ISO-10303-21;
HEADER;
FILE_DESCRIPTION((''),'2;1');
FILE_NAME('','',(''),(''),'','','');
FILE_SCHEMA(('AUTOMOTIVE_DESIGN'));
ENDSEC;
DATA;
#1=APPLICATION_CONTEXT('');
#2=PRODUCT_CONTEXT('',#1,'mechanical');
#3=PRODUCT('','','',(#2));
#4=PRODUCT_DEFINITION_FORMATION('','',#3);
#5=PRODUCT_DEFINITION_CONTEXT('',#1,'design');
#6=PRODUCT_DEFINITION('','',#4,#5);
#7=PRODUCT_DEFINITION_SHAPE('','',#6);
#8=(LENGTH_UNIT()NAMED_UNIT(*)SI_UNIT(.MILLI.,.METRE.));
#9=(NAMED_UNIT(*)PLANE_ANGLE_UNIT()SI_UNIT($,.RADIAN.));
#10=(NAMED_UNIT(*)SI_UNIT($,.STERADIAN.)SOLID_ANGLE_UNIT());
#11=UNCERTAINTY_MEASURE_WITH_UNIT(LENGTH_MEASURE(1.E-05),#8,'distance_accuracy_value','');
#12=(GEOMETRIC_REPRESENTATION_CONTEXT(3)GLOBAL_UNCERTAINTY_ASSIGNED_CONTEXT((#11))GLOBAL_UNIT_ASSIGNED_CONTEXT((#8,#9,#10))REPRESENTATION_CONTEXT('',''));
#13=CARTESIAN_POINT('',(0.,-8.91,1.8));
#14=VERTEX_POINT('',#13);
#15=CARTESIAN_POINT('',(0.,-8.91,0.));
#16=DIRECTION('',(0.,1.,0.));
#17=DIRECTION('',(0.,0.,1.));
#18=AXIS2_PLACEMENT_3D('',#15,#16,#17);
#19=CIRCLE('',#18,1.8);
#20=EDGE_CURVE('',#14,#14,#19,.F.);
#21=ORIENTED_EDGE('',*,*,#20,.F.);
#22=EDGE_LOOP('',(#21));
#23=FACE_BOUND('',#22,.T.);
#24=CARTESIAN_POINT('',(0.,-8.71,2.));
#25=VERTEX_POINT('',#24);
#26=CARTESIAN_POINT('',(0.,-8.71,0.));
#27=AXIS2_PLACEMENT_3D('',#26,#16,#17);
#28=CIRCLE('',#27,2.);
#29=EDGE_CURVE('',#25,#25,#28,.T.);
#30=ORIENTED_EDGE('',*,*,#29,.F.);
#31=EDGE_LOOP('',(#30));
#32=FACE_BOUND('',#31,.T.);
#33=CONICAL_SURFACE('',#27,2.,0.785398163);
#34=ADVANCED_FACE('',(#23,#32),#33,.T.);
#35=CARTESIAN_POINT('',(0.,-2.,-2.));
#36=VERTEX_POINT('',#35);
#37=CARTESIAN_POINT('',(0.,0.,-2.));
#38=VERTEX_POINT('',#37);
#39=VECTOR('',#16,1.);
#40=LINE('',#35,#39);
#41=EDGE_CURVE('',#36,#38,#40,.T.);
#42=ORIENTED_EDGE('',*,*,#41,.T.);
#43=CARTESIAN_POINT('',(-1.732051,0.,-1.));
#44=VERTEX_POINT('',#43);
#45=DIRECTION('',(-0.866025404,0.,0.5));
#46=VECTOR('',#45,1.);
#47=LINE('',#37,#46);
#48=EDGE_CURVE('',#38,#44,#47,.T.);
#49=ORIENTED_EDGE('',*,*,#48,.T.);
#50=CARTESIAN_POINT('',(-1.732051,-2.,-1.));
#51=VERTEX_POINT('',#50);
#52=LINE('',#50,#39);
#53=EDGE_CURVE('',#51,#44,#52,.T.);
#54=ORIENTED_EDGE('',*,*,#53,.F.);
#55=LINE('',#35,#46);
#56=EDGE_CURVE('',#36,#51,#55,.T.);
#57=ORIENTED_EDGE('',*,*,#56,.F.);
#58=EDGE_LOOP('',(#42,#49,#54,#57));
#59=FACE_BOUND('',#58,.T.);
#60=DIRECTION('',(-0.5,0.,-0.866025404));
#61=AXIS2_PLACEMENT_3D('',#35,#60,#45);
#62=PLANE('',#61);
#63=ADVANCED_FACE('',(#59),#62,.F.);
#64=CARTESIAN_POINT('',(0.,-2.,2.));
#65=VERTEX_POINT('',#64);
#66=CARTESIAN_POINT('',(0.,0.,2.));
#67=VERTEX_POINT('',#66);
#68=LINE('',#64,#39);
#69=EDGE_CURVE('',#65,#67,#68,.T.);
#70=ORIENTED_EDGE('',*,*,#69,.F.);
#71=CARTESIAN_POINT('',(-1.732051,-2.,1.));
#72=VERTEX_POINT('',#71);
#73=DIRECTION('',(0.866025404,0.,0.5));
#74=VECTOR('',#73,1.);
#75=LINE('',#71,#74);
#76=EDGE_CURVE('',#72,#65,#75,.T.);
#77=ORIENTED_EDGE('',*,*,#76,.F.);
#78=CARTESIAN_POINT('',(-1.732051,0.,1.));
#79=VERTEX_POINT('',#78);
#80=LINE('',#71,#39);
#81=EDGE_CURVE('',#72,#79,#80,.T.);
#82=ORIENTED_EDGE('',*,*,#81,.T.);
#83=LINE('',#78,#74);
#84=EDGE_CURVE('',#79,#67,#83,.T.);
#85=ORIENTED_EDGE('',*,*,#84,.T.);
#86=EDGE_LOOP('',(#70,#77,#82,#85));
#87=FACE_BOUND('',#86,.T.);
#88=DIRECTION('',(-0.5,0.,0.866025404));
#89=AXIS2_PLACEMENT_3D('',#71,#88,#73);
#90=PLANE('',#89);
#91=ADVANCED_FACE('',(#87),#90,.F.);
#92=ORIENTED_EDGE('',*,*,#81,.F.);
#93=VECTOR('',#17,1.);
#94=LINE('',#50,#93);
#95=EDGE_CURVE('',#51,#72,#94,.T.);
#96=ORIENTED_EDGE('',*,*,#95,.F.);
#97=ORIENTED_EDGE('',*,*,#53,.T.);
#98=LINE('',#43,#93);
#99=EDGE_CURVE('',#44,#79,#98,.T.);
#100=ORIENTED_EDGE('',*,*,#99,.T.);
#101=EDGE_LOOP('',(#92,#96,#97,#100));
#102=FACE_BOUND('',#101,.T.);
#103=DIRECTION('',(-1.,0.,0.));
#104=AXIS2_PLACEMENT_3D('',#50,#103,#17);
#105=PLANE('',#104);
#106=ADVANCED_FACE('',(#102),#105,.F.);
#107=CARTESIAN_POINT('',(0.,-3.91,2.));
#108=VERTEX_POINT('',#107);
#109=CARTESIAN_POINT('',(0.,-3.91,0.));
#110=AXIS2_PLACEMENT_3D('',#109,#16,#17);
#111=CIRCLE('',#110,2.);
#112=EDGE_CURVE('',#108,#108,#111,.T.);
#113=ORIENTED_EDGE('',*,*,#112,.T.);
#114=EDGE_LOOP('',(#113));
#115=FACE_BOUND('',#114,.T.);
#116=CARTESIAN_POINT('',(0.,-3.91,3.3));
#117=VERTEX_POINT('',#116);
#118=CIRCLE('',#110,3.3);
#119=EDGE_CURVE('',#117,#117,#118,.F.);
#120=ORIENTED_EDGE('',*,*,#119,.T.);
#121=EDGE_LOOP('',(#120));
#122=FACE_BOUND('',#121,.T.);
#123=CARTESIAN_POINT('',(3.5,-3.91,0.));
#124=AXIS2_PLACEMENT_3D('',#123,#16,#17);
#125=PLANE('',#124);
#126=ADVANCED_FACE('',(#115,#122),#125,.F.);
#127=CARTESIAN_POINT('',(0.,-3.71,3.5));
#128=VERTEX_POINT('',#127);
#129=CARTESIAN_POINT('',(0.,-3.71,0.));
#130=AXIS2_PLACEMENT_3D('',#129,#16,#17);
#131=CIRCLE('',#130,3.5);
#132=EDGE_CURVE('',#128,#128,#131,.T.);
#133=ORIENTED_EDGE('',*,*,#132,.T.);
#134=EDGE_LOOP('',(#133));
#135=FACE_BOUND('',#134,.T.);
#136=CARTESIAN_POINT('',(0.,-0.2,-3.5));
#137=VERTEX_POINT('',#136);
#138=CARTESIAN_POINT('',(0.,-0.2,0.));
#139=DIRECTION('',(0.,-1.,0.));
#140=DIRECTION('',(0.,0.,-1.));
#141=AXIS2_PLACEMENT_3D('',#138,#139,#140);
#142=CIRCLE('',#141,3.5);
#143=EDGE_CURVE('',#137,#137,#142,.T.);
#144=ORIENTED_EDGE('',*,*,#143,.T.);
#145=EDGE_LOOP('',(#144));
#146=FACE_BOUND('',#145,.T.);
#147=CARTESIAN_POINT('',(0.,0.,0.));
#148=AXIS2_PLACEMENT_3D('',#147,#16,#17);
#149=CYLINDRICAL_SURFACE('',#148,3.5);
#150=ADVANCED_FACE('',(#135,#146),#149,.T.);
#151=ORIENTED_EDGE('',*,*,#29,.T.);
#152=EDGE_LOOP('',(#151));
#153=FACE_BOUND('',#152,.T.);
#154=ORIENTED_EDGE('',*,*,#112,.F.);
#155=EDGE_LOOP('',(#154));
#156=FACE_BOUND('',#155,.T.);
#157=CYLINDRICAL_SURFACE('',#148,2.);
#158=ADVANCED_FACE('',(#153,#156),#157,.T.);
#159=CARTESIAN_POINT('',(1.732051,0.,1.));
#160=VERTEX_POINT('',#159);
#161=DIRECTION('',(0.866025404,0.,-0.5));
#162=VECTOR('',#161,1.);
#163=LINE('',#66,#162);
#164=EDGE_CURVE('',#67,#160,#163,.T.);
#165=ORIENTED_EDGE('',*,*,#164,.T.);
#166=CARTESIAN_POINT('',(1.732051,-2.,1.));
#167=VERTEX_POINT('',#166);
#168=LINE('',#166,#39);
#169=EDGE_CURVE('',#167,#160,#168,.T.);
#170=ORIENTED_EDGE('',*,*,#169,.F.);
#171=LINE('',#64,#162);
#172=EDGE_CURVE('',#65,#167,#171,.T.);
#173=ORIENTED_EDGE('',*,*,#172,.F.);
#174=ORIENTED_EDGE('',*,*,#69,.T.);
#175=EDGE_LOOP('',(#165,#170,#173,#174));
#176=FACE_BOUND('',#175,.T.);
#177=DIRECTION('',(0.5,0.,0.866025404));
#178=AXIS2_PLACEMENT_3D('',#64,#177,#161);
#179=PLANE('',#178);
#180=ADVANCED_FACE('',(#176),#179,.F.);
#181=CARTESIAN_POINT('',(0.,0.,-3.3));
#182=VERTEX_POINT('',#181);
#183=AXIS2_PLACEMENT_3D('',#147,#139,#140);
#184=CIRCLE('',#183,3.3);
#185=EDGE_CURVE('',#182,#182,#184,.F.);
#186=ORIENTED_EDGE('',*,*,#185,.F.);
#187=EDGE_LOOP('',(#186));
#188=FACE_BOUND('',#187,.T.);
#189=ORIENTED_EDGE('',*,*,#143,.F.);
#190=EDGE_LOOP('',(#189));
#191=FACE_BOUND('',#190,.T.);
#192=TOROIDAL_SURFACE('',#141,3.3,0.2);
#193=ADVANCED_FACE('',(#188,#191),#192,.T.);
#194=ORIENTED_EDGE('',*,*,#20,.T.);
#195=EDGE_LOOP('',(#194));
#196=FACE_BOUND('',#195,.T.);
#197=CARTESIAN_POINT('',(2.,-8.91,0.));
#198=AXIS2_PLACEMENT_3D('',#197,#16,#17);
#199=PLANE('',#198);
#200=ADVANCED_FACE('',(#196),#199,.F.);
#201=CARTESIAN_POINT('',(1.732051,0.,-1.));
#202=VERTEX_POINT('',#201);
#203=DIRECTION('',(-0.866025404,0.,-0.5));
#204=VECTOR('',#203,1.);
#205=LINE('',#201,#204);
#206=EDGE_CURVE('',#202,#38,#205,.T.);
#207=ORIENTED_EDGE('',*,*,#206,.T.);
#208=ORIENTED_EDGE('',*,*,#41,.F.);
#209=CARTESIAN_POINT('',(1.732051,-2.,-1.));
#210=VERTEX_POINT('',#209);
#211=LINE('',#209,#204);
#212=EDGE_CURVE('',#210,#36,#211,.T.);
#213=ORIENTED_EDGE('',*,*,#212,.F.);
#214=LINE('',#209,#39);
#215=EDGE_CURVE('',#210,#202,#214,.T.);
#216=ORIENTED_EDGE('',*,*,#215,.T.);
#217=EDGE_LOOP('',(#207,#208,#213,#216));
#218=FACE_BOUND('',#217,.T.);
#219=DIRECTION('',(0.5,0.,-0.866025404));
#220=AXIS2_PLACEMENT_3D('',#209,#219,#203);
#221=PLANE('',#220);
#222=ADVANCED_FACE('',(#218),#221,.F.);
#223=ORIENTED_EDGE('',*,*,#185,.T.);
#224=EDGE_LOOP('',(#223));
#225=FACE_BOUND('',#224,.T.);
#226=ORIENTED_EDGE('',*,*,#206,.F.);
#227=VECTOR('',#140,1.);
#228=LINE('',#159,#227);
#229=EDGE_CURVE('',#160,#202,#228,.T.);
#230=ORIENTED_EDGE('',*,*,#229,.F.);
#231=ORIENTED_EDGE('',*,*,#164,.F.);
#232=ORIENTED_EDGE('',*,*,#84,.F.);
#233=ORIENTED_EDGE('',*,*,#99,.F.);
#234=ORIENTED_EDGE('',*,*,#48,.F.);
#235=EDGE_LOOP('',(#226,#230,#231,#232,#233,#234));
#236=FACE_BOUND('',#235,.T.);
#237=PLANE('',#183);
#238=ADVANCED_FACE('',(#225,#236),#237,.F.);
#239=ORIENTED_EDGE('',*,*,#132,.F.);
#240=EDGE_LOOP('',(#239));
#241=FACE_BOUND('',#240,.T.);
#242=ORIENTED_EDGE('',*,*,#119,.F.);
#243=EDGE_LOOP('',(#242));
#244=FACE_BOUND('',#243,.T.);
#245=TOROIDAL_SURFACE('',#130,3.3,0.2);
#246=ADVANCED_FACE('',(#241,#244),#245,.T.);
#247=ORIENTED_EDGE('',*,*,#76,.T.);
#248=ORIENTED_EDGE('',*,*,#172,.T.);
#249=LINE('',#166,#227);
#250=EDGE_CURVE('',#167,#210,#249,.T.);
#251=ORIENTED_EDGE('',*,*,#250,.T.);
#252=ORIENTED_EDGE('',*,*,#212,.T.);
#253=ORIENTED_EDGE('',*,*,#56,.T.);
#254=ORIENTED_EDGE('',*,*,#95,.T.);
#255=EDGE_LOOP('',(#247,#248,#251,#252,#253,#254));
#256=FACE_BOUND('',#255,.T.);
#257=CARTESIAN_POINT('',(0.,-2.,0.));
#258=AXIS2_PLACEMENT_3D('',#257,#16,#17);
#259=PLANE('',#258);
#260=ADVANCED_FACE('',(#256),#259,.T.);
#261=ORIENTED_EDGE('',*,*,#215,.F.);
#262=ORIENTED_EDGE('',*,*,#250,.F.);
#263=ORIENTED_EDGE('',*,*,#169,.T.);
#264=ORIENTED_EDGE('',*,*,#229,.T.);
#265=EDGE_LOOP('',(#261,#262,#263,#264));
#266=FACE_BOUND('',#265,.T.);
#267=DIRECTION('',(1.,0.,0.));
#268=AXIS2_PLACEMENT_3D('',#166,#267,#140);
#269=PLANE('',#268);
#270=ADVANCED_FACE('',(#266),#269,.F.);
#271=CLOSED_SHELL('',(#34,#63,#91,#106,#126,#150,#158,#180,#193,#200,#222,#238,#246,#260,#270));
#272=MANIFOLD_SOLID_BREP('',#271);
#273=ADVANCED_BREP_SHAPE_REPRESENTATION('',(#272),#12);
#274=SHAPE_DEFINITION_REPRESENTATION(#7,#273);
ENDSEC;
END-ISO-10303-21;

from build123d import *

# Parameters (mm, degrees)
CUT_EXTRUDE_1_DEPTH = 2
FILLET_1_R          = 0.2
CHAMFER_1_SIZE      = 0.2


with BuildPart() as part:
    # 草图1 → 旋转1 (revolve)
    with BuildSketch(Plane.XY, mode=Mode.PRIVATE) as revolve_1_sk:
        Polygon((0, 0), (3.5, 0), (3.5, -3.91), (2, -3.91), (2, -8.91), (0, -8.91), align=None)
    revolve(revolve_1_sk.sketch.rotate(Axis((0, 0, 0), (0, -1, 0)), 90), axis=Axis((0, 0, 0), (0, -1, 0)))

    # 草图2 → 切除-拉伸1 (cut)
    with BuildSketch(Plane(origin=(0, 0, 0), x_dir=(1, 0, 0), z_dir=(0, 1, 0))):
        Polygon((0, 2), (-1.732050808, 1), (-1.732050808, -1), (0, -2), (1.732050808, -1), (1.732050808, 1), align=None)
    extrude(amount=-CUT_EXTRUDE_1_DEPTH, mode=Mode.SUBTRACT)

    # 圆角1
    fillet_1_edges = [part.edges().sort_by_distance(p)[0] for p in [
        (0, -3.91, -3.5),
        (0, 0, -3.5),
    ]]
    fillet(fillet_1_edges, radius=FILLET_1_R)

    # 倒角1
    chamfer_1_edges = [part.edges().sort_by_distance(p)[0] for p in [
        (0, -8.91, -2),
    ]]
    chamfer(chamfer_1_edges, length=CHAMFER_1_SIZE)


solid = part.part
